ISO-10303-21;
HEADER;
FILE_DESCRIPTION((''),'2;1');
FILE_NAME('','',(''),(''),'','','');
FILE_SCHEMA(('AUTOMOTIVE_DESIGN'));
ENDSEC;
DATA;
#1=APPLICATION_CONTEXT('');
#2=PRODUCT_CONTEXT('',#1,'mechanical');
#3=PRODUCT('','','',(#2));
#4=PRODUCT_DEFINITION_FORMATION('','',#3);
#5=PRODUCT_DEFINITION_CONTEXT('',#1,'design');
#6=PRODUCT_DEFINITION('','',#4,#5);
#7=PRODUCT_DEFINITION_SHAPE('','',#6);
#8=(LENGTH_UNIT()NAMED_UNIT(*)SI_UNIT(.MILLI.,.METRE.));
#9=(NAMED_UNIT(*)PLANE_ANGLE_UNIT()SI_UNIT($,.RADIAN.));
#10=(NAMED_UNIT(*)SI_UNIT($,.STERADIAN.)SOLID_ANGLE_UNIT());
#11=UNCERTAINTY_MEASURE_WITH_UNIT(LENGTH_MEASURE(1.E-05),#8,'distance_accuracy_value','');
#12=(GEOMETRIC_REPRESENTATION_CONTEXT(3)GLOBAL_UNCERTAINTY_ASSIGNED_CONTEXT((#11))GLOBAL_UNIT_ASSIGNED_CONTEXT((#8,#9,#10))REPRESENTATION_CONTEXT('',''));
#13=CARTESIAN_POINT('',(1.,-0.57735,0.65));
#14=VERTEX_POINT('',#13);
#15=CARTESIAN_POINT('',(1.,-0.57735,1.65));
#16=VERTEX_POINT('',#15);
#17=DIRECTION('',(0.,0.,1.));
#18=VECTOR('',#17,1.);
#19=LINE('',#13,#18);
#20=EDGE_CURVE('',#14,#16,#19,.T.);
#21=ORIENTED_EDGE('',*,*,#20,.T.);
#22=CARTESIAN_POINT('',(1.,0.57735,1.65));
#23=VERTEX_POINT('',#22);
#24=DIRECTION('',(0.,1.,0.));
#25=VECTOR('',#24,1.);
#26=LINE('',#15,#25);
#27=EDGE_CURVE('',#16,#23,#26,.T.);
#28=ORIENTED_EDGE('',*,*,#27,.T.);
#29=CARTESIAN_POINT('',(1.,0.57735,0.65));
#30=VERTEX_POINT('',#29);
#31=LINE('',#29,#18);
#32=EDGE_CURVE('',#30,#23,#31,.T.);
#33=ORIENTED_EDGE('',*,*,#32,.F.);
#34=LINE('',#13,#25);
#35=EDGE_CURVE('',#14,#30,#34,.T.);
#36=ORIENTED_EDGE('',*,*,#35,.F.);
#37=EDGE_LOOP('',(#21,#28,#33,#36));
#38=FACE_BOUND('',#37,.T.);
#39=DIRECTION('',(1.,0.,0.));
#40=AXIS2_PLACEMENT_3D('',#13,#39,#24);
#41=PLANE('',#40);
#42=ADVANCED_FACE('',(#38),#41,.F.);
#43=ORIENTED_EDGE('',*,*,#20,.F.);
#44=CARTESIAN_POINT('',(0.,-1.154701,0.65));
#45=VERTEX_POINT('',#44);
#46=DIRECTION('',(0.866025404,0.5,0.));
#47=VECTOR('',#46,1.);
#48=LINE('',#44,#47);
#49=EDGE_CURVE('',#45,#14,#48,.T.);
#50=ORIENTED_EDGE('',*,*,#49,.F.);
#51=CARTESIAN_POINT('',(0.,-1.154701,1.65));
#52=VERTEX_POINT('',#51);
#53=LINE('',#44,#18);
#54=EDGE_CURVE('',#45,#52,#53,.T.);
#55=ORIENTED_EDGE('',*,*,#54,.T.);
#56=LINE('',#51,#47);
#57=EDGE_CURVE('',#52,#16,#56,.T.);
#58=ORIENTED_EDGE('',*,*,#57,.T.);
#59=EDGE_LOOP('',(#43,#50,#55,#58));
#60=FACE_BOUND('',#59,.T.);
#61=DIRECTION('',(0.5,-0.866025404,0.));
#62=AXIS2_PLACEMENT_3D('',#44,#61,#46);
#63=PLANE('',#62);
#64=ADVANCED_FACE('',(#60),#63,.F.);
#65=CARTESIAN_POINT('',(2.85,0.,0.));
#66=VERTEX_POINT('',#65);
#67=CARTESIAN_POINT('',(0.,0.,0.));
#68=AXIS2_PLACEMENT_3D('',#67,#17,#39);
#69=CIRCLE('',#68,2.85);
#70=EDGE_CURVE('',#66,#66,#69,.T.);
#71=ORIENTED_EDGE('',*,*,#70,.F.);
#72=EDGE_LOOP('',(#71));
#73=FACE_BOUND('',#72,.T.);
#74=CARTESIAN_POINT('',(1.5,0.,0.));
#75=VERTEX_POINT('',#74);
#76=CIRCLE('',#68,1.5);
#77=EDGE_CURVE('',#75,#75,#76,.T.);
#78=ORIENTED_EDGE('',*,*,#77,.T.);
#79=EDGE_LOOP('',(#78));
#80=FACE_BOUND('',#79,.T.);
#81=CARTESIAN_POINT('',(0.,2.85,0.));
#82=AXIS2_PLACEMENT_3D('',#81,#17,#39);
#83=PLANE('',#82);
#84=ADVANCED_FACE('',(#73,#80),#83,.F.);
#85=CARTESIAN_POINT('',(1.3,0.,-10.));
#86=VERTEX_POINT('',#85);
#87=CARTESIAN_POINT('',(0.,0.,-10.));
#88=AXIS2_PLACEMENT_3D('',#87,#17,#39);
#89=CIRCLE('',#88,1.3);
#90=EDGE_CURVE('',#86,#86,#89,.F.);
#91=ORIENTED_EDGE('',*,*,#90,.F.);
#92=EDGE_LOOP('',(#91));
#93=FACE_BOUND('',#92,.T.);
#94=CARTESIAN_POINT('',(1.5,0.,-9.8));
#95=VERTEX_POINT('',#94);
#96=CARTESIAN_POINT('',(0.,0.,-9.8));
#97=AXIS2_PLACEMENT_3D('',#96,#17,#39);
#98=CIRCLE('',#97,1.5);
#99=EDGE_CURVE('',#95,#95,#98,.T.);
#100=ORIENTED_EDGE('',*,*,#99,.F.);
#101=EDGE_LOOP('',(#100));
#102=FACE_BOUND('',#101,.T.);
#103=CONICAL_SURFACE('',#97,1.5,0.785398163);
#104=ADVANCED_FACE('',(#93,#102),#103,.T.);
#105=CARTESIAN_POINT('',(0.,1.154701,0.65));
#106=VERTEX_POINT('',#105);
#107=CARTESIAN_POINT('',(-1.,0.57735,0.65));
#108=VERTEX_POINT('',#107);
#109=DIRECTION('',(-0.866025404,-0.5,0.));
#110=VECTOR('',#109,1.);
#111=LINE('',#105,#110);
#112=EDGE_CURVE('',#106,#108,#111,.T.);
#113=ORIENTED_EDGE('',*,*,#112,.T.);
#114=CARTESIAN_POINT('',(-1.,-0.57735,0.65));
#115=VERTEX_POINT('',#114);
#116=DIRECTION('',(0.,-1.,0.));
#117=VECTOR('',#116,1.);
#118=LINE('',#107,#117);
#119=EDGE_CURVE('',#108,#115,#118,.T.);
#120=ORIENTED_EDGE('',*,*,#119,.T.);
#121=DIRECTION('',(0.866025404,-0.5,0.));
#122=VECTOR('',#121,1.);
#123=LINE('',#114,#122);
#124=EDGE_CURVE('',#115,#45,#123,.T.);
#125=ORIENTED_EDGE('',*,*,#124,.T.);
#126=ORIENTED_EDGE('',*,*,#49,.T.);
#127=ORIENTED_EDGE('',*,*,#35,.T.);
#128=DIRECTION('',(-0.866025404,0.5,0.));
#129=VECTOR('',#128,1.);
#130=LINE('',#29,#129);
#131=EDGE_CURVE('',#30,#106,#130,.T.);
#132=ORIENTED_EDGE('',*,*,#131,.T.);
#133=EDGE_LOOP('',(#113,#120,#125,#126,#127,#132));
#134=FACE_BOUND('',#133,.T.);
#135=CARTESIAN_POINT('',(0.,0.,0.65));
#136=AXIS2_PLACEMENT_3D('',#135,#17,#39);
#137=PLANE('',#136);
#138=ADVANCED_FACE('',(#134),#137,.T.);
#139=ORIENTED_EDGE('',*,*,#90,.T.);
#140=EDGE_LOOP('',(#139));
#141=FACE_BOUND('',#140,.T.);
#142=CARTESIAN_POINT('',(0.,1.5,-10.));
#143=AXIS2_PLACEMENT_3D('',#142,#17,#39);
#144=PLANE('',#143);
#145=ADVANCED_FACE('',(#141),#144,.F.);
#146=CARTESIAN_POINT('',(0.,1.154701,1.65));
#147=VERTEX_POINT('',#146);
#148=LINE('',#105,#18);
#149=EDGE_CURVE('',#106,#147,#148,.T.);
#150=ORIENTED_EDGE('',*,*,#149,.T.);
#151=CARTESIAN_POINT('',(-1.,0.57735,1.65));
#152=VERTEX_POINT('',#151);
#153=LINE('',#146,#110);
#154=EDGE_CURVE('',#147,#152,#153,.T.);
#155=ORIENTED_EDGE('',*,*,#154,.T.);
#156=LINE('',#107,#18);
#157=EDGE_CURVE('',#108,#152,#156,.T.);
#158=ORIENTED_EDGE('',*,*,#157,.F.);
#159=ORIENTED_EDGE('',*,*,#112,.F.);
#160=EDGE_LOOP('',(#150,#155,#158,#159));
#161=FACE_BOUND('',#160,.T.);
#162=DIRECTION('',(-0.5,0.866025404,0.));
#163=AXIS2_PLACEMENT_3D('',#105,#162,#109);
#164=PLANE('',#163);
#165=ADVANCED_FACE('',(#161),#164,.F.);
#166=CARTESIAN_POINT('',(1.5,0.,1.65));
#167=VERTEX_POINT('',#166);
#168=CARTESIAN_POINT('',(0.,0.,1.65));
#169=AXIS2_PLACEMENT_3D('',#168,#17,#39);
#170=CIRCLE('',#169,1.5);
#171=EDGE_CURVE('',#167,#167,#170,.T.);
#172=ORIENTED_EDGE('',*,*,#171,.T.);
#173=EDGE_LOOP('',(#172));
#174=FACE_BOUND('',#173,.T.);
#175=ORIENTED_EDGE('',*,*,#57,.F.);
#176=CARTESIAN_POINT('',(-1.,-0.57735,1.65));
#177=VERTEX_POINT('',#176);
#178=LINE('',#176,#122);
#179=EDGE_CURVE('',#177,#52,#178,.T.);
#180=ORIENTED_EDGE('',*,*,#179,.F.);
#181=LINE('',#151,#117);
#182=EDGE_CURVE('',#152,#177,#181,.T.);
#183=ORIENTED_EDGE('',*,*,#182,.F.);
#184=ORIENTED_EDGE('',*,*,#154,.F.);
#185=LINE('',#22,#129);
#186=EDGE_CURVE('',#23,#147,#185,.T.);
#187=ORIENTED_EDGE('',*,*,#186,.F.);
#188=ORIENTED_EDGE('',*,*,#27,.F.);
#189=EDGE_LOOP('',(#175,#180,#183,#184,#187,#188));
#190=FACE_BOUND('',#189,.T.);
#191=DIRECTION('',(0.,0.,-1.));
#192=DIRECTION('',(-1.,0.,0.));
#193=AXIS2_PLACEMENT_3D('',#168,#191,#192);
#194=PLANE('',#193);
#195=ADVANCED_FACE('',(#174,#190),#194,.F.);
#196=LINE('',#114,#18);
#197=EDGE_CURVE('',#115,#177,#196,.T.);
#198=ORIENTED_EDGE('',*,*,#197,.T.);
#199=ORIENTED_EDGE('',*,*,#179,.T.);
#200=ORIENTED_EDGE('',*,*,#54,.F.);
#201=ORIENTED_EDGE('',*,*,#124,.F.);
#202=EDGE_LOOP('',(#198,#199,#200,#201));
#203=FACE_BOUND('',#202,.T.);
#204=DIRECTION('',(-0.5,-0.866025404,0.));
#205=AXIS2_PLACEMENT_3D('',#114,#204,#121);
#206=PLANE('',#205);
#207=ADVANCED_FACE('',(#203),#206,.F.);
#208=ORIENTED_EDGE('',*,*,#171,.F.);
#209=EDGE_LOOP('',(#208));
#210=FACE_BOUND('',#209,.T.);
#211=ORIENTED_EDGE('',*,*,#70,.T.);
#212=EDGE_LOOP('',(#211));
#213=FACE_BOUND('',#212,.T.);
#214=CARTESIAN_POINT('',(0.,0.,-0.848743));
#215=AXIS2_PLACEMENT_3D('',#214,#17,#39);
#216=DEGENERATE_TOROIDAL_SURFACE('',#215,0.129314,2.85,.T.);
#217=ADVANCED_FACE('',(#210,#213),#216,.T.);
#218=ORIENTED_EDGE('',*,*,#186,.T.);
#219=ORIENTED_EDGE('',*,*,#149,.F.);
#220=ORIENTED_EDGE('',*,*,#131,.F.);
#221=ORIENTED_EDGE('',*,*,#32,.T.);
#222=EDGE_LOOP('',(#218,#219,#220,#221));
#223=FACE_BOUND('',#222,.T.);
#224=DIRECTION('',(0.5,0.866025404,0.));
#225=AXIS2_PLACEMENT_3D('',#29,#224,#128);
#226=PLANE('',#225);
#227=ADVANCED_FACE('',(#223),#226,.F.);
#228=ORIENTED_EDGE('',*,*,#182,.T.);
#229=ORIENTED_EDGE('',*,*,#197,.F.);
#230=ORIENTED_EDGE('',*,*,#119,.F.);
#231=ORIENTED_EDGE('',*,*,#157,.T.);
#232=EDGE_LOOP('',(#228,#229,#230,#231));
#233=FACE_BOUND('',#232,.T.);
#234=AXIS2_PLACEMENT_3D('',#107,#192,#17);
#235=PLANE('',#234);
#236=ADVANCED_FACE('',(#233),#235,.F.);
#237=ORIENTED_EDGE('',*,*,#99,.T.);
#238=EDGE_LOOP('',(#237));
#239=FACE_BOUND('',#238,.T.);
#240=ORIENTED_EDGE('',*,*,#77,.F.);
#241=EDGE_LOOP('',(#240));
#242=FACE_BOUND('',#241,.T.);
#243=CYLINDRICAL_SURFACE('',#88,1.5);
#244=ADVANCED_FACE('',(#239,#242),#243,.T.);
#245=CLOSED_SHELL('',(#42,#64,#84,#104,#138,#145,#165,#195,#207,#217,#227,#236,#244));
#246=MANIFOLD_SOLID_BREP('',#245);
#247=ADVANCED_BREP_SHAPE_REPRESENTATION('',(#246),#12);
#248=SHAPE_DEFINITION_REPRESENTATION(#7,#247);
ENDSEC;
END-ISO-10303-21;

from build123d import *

# Parameters (mm, degrees)
CORTAR_EXTRUIR2_DEPTH = 1
CHAFL_N1_SIZE         = 0.2


with BuildPart() as part:
    # Croquis1 → Revolución1 (revolve)
    with BuildSketch(Plane(origin=(0, 0, 0), x_dir=(0, 0, -1), z_dir=(1, 0, 0))):
        with BuildLine():
            Line((0, 2.85), (0, 1.5))
            Line((0, 1.5), (10, 1.5))
            Line((10, 1.5), (10, 0))
            Line((10, 0), (-1.65, 0))
            Line((-1.65, 0), (-1.65, 1.5))
            ThreePointArc((-1.65, 1.5), (-0.955984269, 2.335091885), (0, 2.85))
        make_face()
    revolve(axis=Axis((0, 0, -10), (0, 0, -1)))

    # Croquis2 → Cortar-Extruir2 (cut)
    with BuildSketch(Plane.XY.offset(1.65)):
        Polygon((0, 1.154700538), (-1, 0.577350269), (-1, -0.577350269), (0, -1.154700538), (1, -0.577350269), (1, 0.577350269), align=None)
    extrude(amount=-CORTAR_EXTRUIR2_DEPTH, mode=Mode.SUBTRACT)

    # Chaflán1
    chafl_n1_edges = [part.edges().sort_by_distance(p)[0] for p in [
        (0, -1.5, -10),
    ]]
    chamfer(chafl_n1_edges, length=CHAFL_N1_SIZE)


solid = part.part
